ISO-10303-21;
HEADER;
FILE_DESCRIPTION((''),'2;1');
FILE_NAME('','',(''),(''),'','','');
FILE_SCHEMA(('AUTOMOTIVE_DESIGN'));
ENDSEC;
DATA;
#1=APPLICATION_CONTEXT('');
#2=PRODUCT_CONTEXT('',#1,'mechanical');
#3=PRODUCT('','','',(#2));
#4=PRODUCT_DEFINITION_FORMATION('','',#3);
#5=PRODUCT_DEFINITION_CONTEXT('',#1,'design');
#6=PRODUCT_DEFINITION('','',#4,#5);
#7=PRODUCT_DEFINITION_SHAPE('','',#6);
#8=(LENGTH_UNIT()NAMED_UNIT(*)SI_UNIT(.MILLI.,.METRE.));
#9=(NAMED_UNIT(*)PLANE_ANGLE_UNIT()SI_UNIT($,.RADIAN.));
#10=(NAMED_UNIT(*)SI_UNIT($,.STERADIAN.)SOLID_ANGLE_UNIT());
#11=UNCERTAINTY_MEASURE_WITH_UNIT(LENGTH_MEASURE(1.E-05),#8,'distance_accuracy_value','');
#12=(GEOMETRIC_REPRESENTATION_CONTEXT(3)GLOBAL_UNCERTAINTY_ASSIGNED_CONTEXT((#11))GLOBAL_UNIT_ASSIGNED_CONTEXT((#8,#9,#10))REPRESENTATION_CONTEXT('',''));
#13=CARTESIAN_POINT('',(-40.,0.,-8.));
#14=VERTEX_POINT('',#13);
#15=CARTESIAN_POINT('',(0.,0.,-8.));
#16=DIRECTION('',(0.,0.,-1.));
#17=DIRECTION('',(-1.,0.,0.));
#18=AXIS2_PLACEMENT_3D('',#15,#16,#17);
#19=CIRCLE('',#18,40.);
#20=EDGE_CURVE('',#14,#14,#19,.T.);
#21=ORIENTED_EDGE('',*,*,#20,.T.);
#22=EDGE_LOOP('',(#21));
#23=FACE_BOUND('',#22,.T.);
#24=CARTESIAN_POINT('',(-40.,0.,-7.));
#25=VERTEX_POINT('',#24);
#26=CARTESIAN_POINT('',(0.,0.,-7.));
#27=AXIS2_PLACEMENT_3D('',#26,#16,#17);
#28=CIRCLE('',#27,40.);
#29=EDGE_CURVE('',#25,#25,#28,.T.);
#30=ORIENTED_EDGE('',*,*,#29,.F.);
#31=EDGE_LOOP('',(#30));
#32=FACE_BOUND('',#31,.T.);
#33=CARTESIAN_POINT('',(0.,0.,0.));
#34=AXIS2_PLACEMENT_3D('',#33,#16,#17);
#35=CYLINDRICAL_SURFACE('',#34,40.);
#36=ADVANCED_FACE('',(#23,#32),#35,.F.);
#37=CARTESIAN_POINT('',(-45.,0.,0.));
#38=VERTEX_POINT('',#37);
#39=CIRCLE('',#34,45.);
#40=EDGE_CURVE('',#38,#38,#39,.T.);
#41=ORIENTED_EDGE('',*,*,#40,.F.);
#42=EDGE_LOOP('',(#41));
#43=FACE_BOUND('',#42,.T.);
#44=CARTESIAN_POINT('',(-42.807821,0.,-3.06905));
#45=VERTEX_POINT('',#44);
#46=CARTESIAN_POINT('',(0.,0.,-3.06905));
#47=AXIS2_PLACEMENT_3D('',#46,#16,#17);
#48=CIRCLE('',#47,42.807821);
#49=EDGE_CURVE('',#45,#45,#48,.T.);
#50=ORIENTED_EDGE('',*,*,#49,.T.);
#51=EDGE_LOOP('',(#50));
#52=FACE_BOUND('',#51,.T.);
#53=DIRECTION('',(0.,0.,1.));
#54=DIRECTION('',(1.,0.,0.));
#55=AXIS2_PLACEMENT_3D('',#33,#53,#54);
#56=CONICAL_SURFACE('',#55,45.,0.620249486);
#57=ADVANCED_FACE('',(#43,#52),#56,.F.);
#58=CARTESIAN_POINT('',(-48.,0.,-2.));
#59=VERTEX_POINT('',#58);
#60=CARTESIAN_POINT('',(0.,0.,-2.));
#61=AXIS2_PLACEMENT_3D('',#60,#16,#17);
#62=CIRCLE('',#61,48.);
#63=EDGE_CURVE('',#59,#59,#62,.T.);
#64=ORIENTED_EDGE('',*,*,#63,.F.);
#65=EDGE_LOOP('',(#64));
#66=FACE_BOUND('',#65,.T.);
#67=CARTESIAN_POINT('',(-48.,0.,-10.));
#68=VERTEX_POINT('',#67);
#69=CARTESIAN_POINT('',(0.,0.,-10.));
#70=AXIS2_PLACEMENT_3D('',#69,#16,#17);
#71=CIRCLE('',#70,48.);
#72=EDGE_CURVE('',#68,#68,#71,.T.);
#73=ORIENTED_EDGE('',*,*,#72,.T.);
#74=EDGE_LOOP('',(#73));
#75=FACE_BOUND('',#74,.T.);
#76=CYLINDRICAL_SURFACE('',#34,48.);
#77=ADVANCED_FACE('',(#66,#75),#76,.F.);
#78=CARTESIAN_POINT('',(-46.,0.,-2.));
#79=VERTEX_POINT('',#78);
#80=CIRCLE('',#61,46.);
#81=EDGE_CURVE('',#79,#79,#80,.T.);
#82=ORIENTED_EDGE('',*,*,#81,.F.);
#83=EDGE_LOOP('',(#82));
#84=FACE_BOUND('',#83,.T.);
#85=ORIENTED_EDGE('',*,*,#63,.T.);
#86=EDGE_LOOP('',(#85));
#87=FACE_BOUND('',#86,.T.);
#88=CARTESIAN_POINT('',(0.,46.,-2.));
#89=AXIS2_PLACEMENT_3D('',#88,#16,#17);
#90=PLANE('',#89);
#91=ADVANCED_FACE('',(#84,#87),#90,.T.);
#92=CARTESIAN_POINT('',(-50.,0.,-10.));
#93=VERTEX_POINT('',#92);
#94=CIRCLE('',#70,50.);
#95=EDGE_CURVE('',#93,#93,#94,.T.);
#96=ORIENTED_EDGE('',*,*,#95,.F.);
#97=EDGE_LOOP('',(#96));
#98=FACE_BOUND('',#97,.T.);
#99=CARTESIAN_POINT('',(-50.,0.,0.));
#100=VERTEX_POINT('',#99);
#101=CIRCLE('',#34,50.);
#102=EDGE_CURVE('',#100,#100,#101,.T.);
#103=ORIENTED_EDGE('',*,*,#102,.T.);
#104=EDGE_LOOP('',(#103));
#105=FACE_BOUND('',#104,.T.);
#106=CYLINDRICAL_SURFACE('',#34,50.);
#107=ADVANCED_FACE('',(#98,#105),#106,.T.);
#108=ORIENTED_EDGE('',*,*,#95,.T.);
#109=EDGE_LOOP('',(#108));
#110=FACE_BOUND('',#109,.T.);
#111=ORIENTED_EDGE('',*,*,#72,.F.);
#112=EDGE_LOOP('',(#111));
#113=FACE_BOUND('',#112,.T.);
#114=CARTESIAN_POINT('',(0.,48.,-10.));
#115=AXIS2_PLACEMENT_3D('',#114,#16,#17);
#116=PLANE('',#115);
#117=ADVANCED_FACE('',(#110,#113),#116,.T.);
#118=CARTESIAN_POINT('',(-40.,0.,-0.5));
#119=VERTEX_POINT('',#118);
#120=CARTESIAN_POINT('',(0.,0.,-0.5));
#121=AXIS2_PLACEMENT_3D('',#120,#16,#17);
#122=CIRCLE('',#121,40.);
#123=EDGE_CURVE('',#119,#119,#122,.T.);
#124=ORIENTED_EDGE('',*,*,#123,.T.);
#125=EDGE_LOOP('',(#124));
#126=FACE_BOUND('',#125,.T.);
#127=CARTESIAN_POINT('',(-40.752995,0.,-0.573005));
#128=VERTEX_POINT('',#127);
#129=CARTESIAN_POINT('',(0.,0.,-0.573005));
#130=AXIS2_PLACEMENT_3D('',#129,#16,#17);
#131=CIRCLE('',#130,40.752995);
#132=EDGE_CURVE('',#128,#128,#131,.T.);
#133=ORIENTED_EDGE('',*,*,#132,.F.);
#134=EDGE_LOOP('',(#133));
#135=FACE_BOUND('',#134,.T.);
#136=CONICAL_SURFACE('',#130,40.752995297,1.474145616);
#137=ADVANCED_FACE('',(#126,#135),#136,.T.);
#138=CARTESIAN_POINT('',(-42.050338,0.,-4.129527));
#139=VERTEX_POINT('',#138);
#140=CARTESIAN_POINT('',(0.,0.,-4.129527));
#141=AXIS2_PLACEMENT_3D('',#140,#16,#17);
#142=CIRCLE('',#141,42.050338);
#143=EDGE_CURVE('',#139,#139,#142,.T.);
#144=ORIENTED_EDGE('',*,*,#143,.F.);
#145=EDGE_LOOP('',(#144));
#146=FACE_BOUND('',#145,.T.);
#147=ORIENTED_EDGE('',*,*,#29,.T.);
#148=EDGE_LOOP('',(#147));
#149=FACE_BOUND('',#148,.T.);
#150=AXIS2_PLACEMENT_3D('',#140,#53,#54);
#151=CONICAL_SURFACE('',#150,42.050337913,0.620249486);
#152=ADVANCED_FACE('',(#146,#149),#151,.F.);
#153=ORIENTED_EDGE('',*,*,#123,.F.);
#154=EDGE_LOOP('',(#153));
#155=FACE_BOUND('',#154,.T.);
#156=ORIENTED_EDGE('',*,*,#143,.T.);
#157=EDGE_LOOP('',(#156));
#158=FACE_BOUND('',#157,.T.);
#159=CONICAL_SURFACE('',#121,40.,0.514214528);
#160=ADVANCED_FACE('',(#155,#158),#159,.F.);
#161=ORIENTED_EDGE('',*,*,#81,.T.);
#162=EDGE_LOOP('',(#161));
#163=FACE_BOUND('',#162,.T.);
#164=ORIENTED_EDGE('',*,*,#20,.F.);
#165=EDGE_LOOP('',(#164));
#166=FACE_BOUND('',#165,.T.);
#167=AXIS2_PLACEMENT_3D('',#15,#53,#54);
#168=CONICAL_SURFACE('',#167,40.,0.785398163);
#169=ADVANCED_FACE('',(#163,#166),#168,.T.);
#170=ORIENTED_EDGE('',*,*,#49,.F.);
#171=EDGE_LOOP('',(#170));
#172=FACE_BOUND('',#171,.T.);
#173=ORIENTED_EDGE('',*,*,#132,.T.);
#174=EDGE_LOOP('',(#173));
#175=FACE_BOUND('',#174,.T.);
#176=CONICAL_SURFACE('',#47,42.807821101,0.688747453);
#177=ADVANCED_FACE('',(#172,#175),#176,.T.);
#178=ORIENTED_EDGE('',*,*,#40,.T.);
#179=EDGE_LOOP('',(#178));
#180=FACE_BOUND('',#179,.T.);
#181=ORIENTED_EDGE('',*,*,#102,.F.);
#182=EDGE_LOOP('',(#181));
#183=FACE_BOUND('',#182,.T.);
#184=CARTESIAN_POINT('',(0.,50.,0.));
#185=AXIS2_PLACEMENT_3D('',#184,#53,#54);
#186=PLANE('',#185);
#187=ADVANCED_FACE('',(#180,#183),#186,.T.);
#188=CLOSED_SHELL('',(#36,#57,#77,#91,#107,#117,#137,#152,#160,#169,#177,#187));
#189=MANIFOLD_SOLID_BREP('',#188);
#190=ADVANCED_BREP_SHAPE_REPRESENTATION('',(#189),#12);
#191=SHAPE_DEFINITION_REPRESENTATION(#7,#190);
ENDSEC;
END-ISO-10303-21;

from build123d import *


with BuildPart() as part:
    # Sketch1 → Revolve1 (revolve)
    with BuildSketch(Plane(origin=(0, 0, 0), x_dir=(0, 0, -1), z_dir=(1, 0, 0)), mode=Mode.PRIVATE) as revolve1_sk:
        Polygon((10, 50), (0, 50), (0, 45), (3.069050459, 42.807821101), (0.573004994, 40.752995297), (0.5, 40), (4.129526922, 42.050337913), (7, 40), (8, 40), (2, 46), (2, 48), (10, 48), align=None)
    revolve(revolve1_sk.sketch.rotate(Axis((0, 0, 0), (0, 0, 1)), 90), axis=Axis((0, 0, 0), (0, 0, 1)))


solid = part.part
